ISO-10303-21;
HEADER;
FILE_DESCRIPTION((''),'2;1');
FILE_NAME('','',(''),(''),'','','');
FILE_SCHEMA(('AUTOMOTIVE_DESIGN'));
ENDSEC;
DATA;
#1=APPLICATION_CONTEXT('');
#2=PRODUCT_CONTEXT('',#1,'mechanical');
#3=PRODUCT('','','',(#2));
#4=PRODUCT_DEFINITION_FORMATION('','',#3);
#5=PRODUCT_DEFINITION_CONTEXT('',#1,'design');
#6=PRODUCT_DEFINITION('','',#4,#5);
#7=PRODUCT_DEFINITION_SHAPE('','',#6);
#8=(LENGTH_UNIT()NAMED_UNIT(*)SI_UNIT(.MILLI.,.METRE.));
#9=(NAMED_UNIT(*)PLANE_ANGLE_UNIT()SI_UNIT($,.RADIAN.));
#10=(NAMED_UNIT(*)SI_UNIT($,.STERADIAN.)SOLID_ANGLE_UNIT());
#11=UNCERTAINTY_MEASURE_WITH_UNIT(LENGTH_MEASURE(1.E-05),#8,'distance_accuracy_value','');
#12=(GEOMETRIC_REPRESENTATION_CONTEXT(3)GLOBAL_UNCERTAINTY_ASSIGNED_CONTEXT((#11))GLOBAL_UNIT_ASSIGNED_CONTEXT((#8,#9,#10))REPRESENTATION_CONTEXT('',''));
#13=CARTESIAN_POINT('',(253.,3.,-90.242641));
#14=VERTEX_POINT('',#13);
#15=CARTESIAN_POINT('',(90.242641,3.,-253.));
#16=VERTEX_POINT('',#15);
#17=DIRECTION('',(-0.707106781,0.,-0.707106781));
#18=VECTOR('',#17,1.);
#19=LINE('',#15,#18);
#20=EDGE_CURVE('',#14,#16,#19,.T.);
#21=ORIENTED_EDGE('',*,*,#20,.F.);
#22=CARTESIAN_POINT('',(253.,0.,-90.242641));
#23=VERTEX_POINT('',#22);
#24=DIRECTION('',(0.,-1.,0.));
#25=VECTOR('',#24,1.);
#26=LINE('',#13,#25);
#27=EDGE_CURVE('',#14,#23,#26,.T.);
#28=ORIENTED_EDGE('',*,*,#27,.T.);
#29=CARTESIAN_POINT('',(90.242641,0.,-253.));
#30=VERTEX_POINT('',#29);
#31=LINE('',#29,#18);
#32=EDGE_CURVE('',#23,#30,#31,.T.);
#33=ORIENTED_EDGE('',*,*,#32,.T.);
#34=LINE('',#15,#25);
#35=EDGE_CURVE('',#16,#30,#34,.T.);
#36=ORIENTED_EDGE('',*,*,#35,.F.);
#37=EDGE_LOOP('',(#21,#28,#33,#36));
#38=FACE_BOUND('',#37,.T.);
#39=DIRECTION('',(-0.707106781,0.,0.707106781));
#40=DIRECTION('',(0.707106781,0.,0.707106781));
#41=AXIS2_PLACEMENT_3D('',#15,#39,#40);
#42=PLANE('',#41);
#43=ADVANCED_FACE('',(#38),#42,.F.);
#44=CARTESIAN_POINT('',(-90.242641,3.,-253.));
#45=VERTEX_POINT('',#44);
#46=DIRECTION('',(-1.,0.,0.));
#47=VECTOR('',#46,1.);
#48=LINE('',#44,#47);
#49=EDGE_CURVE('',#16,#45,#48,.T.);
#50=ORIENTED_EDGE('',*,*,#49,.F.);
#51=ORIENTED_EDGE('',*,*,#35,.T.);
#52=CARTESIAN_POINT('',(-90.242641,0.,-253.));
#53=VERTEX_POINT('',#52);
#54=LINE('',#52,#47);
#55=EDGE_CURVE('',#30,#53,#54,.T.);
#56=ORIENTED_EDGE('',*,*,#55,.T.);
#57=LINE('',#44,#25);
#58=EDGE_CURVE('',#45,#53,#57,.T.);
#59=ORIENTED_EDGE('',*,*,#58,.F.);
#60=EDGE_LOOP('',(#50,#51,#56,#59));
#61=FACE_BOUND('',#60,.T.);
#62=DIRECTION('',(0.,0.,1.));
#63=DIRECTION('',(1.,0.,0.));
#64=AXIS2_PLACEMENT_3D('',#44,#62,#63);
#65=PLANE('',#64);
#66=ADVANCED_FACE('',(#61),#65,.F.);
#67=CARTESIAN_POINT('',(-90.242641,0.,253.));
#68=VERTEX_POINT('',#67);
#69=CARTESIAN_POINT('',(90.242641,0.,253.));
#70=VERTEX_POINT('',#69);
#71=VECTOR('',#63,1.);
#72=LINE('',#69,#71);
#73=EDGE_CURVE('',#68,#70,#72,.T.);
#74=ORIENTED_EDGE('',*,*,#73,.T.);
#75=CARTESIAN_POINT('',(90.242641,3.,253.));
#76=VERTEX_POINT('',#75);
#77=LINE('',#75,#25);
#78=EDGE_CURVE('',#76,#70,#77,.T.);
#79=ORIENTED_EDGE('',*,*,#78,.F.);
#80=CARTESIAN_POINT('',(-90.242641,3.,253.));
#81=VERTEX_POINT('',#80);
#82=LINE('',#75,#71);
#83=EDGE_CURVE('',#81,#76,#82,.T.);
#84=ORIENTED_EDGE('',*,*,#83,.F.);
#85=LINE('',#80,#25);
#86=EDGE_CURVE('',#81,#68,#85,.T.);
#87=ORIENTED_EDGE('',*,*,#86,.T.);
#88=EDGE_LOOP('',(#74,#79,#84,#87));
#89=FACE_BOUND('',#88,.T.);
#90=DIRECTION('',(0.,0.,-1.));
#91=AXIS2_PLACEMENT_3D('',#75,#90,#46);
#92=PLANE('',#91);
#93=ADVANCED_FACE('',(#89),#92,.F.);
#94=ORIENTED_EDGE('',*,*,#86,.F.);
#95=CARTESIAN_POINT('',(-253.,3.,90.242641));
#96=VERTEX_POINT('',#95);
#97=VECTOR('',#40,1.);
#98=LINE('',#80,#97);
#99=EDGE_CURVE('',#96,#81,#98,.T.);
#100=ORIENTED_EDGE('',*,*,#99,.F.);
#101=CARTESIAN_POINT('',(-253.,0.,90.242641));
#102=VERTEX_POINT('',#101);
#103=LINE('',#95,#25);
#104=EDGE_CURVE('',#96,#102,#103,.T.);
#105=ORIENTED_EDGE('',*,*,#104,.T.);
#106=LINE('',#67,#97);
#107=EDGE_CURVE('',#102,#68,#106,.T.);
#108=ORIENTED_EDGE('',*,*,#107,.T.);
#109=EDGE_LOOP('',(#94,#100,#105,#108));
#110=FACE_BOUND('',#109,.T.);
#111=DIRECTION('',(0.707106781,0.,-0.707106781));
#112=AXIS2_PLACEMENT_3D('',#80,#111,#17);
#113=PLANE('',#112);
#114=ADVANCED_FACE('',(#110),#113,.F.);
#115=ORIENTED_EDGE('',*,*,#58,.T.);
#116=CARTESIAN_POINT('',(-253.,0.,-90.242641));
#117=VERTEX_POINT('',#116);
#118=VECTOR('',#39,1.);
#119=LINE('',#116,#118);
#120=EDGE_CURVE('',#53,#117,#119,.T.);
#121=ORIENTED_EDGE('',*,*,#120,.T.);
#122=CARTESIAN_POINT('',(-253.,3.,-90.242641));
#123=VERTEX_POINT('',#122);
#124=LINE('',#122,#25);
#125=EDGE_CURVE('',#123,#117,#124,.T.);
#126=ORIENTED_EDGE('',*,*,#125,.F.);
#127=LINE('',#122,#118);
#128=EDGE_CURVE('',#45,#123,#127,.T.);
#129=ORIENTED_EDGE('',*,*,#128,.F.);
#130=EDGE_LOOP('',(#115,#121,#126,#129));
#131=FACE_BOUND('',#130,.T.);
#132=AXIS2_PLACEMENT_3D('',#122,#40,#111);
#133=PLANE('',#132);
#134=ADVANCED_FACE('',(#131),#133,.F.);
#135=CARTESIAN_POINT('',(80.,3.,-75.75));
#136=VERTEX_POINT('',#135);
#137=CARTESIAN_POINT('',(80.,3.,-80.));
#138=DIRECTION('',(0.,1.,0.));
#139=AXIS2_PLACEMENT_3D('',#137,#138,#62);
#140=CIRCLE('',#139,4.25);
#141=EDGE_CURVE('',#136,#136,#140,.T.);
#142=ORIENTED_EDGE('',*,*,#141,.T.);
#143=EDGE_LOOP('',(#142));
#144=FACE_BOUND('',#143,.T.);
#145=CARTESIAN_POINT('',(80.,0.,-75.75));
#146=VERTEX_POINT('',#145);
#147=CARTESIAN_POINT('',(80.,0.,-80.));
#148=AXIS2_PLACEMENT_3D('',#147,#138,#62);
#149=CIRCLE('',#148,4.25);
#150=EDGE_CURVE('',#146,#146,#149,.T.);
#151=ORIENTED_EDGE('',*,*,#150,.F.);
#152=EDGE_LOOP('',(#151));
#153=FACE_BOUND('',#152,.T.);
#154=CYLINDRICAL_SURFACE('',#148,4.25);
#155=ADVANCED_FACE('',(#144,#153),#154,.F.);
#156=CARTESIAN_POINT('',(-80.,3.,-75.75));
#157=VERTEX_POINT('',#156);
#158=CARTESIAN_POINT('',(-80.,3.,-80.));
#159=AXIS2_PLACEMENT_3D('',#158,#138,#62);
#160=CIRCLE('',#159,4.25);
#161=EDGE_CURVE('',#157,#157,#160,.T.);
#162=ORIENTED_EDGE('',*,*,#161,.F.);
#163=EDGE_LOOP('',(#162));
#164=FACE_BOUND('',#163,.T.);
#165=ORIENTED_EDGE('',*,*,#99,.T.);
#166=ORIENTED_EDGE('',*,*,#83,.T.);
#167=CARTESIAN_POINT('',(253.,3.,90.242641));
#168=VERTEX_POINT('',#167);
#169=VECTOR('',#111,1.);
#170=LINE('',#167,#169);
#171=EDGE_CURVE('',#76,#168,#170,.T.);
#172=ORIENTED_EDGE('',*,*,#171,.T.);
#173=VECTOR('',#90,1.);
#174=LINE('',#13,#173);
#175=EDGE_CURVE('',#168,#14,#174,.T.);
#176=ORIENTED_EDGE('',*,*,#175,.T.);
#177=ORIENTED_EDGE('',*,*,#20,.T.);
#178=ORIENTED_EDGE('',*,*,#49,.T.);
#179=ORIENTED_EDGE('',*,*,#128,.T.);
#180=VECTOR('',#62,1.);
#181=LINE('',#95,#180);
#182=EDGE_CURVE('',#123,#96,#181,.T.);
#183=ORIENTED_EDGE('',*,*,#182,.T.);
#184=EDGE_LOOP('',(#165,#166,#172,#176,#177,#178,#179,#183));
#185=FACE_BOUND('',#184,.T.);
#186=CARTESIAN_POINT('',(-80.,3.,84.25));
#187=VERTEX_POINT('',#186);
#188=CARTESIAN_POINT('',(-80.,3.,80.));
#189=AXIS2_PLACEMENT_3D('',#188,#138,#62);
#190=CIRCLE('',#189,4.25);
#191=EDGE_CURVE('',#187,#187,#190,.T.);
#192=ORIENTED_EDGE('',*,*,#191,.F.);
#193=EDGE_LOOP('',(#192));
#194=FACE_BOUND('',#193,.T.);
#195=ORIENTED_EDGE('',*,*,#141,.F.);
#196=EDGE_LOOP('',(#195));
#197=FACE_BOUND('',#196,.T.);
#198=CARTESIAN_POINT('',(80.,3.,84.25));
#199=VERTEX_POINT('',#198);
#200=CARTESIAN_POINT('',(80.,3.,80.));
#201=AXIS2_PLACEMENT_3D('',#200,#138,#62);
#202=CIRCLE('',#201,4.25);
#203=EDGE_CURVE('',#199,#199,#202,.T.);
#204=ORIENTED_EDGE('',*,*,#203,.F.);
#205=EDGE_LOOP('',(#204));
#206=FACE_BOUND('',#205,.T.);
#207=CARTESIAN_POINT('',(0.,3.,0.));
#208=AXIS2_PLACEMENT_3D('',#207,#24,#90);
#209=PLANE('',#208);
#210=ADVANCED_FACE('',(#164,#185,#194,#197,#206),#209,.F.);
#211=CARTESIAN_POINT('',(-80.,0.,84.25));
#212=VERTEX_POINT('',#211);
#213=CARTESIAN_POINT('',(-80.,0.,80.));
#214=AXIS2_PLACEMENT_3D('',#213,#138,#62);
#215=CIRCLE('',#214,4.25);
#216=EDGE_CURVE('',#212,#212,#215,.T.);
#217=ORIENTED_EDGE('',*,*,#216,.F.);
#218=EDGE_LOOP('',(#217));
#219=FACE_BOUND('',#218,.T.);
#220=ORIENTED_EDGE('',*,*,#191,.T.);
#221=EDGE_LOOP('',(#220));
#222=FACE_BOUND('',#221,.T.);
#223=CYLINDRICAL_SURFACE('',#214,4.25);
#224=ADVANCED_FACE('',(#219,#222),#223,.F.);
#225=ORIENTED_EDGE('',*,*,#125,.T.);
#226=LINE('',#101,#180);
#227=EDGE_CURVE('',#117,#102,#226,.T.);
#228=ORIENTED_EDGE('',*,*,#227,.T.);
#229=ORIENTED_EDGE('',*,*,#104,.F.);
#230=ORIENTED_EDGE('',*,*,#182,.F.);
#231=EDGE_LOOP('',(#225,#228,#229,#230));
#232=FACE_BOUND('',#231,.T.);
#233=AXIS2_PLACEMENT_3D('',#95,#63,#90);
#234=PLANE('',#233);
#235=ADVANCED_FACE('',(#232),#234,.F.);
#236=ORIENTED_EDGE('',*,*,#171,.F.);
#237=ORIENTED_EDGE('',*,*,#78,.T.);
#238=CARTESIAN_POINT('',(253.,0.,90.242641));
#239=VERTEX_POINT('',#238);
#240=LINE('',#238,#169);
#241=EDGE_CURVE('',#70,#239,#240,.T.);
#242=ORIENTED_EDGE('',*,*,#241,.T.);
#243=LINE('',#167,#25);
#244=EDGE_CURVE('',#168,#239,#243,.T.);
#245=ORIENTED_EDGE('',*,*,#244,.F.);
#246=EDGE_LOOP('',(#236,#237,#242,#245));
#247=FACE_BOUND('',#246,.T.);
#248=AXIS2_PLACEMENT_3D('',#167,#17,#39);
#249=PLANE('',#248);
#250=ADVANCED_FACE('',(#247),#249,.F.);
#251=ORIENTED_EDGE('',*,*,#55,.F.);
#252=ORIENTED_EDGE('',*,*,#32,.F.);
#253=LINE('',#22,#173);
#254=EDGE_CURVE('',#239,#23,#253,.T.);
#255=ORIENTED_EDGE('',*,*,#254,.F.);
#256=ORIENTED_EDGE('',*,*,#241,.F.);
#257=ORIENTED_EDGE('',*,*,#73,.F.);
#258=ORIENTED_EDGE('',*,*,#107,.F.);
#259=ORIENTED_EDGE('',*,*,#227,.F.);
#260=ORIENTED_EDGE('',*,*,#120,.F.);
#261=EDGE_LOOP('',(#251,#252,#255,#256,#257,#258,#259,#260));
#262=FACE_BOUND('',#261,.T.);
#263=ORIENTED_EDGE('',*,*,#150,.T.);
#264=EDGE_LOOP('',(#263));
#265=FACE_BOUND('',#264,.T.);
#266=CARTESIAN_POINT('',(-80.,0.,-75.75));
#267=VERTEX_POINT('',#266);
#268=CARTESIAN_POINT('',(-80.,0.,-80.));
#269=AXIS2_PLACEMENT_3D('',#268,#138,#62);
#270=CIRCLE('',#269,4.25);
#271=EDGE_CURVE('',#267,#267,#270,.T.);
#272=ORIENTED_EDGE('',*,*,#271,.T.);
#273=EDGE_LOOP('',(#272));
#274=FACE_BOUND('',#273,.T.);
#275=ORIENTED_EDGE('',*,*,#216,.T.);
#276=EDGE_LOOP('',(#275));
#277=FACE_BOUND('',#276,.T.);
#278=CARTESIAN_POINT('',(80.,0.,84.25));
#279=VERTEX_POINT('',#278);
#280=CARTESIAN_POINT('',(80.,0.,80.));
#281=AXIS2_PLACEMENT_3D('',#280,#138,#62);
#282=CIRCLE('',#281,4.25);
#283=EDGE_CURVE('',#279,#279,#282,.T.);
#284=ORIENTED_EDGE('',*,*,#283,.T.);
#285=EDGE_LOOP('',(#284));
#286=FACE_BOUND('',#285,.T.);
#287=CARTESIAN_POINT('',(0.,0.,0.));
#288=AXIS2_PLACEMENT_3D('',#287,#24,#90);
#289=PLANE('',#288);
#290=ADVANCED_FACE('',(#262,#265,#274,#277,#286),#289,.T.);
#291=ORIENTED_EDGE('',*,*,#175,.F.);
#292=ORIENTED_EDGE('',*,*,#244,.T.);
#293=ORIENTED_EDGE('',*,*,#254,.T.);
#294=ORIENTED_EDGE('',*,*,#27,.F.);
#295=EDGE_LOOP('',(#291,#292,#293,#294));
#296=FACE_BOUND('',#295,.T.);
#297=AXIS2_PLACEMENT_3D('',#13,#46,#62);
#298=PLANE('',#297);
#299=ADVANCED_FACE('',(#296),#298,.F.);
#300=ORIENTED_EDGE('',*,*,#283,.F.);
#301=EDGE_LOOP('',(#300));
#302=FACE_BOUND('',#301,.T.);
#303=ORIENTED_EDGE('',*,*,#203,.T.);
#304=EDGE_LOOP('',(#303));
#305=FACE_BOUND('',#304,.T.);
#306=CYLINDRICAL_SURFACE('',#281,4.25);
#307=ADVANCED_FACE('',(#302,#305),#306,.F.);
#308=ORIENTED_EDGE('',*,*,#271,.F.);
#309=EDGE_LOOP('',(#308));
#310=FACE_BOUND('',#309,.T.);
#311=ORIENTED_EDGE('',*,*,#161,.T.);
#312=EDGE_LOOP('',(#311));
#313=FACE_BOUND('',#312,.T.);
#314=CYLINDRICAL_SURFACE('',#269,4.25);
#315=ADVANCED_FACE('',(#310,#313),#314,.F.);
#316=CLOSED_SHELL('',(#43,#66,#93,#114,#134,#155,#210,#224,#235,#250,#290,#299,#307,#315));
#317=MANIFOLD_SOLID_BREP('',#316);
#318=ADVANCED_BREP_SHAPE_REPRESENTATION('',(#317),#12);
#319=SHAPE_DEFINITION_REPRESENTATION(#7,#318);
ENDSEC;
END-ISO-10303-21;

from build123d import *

# Parameters (mm, degrees)
BOSS_EXTRUDE1_DEPTH     = 3
CUT_EXTRUDE1_DEPTH      = 358.808608057
CUT_EXTRUDE1_DEPTH_BACK = 358.808608057
SKETCH2_R               = 4.25


with BuildPart() as part:
    # Sketch1 → Boss-Extrude1 (new body)
    with BuildSketch(Plane(origin=(0, 0, 0), x_dir=(1, 0, 0), z_dir=(0, 1, 0))):
        Polygon((-253, 90.242640687), (-90.242640687, 253), (90.242640687, 253), (253, 90.242640687), (253, -90.242640687), (90.242640687, -253), (-90.242640687, -253), (-253, -90.242640687), align=None)
    extrude(amount=BOSS_EXTRUDE1_DEPTH)

    # Sketch2 → Cut-Extrude1 (cut, two sides: drawn at the far end of the back side and taken through both)
    with BuildSketch(Plane(origin=(0, 3, 0), x_dir=(1, 0, 0), z_dir=(0, 1, 0)).offset(-CUT_EXTRUDE1_DEPTH_BACK)):
        with Locations(Location((-80, 80, 0), (0, 0, 270))):
            Circle(SKETCH2_R)
        with Locations(Location((80, 80, 0), (0, 0, 270))):
            Circle(SKETCH2_R)
        with Locations(Location((80, -80, 0), (0, 0, 270))):
            Circle(SKETCH2_R)
        with Locations(Location((-80, -80, 0), (0, 0, 270))):
            Circle(SKETCH2_R)
    extrude(amount=CUT_EXTRUDE1_DEPTH + CUT_EXTRUDE1_DEPTH_BACK, mode=Mode.SUBTRACT)


solid = part.part
